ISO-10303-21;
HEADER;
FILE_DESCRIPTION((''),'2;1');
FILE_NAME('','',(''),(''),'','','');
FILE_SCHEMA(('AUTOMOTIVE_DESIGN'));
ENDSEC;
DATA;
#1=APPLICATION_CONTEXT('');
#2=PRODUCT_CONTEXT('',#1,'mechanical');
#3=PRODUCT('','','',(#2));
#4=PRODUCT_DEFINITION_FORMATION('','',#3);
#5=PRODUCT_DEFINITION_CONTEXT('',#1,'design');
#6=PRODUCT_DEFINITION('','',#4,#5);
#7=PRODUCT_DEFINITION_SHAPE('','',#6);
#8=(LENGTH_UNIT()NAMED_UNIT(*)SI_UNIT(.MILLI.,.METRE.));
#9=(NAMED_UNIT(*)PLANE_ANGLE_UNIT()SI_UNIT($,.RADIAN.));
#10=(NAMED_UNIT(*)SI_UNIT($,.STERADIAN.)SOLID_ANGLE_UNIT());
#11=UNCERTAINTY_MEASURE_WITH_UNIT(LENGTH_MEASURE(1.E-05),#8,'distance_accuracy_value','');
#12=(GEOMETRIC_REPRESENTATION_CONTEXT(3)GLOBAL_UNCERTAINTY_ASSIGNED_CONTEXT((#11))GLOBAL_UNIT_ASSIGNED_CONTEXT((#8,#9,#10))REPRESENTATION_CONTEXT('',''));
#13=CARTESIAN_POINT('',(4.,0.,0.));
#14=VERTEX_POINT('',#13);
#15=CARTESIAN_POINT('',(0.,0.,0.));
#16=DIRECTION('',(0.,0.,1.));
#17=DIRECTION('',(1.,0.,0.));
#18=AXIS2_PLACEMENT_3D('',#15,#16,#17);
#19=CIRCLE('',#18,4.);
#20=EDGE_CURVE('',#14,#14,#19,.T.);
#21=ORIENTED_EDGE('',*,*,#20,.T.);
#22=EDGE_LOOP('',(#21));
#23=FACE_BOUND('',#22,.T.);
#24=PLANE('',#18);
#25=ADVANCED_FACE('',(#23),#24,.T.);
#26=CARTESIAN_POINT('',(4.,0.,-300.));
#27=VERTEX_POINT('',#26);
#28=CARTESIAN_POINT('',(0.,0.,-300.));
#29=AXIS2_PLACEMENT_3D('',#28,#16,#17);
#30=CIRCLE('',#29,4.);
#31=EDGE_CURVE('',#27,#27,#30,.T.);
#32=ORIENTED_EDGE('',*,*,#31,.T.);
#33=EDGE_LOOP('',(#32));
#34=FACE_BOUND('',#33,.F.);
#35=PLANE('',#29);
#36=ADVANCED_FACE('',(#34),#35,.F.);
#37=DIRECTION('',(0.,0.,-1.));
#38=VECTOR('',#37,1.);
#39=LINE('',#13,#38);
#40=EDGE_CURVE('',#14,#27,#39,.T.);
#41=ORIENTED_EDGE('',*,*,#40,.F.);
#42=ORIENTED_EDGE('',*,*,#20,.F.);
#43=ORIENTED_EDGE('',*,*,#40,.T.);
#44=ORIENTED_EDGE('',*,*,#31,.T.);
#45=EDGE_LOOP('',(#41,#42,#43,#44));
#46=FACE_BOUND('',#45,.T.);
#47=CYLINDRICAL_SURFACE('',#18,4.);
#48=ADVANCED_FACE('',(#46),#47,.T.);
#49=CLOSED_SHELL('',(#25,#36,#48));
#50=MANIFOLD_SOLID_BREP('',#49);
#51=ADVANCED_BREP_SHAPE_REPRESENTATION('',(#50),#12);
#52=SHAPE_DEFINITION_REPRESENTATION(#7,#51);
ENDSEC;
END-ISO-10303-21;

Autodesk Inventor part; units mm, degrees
ref_plane "YZ Plane" through (0, 0, 0) normal (1, 0, 0) x (0, 1, 0)
ref_plane "XZ Plane" through (0, 0, 0) normal (0, 1, 0) x (-1, 0, 0)
ref_plane "XY Plane" through (0, 0, 0) normal (0, 0, 1) x (1, 0, 0)
sketch "Sketch1" plane through (0, 0, 0) normal (0, 0, 1) x (1, 0, 0)
  circle A0 centre (0, 0) radius 4
  dimension "d0" = 8
extrude "Extrusion1" add sketch "Sketch1" against normal blind 300
ref_plane "Work Plane3" through (0, 0, -150) normal (0, 0, 1) x (1, 0, 0)
ref_plane "Work Plane1" through (0, 0, 0) normal (0, 0, 1) x (1, 0, 0)
ref_plane "Work Plane2" through (0, 0, -300) normal (0, 0, -1) x (-1, 0, 0)
properties part number "WheelShaft"
